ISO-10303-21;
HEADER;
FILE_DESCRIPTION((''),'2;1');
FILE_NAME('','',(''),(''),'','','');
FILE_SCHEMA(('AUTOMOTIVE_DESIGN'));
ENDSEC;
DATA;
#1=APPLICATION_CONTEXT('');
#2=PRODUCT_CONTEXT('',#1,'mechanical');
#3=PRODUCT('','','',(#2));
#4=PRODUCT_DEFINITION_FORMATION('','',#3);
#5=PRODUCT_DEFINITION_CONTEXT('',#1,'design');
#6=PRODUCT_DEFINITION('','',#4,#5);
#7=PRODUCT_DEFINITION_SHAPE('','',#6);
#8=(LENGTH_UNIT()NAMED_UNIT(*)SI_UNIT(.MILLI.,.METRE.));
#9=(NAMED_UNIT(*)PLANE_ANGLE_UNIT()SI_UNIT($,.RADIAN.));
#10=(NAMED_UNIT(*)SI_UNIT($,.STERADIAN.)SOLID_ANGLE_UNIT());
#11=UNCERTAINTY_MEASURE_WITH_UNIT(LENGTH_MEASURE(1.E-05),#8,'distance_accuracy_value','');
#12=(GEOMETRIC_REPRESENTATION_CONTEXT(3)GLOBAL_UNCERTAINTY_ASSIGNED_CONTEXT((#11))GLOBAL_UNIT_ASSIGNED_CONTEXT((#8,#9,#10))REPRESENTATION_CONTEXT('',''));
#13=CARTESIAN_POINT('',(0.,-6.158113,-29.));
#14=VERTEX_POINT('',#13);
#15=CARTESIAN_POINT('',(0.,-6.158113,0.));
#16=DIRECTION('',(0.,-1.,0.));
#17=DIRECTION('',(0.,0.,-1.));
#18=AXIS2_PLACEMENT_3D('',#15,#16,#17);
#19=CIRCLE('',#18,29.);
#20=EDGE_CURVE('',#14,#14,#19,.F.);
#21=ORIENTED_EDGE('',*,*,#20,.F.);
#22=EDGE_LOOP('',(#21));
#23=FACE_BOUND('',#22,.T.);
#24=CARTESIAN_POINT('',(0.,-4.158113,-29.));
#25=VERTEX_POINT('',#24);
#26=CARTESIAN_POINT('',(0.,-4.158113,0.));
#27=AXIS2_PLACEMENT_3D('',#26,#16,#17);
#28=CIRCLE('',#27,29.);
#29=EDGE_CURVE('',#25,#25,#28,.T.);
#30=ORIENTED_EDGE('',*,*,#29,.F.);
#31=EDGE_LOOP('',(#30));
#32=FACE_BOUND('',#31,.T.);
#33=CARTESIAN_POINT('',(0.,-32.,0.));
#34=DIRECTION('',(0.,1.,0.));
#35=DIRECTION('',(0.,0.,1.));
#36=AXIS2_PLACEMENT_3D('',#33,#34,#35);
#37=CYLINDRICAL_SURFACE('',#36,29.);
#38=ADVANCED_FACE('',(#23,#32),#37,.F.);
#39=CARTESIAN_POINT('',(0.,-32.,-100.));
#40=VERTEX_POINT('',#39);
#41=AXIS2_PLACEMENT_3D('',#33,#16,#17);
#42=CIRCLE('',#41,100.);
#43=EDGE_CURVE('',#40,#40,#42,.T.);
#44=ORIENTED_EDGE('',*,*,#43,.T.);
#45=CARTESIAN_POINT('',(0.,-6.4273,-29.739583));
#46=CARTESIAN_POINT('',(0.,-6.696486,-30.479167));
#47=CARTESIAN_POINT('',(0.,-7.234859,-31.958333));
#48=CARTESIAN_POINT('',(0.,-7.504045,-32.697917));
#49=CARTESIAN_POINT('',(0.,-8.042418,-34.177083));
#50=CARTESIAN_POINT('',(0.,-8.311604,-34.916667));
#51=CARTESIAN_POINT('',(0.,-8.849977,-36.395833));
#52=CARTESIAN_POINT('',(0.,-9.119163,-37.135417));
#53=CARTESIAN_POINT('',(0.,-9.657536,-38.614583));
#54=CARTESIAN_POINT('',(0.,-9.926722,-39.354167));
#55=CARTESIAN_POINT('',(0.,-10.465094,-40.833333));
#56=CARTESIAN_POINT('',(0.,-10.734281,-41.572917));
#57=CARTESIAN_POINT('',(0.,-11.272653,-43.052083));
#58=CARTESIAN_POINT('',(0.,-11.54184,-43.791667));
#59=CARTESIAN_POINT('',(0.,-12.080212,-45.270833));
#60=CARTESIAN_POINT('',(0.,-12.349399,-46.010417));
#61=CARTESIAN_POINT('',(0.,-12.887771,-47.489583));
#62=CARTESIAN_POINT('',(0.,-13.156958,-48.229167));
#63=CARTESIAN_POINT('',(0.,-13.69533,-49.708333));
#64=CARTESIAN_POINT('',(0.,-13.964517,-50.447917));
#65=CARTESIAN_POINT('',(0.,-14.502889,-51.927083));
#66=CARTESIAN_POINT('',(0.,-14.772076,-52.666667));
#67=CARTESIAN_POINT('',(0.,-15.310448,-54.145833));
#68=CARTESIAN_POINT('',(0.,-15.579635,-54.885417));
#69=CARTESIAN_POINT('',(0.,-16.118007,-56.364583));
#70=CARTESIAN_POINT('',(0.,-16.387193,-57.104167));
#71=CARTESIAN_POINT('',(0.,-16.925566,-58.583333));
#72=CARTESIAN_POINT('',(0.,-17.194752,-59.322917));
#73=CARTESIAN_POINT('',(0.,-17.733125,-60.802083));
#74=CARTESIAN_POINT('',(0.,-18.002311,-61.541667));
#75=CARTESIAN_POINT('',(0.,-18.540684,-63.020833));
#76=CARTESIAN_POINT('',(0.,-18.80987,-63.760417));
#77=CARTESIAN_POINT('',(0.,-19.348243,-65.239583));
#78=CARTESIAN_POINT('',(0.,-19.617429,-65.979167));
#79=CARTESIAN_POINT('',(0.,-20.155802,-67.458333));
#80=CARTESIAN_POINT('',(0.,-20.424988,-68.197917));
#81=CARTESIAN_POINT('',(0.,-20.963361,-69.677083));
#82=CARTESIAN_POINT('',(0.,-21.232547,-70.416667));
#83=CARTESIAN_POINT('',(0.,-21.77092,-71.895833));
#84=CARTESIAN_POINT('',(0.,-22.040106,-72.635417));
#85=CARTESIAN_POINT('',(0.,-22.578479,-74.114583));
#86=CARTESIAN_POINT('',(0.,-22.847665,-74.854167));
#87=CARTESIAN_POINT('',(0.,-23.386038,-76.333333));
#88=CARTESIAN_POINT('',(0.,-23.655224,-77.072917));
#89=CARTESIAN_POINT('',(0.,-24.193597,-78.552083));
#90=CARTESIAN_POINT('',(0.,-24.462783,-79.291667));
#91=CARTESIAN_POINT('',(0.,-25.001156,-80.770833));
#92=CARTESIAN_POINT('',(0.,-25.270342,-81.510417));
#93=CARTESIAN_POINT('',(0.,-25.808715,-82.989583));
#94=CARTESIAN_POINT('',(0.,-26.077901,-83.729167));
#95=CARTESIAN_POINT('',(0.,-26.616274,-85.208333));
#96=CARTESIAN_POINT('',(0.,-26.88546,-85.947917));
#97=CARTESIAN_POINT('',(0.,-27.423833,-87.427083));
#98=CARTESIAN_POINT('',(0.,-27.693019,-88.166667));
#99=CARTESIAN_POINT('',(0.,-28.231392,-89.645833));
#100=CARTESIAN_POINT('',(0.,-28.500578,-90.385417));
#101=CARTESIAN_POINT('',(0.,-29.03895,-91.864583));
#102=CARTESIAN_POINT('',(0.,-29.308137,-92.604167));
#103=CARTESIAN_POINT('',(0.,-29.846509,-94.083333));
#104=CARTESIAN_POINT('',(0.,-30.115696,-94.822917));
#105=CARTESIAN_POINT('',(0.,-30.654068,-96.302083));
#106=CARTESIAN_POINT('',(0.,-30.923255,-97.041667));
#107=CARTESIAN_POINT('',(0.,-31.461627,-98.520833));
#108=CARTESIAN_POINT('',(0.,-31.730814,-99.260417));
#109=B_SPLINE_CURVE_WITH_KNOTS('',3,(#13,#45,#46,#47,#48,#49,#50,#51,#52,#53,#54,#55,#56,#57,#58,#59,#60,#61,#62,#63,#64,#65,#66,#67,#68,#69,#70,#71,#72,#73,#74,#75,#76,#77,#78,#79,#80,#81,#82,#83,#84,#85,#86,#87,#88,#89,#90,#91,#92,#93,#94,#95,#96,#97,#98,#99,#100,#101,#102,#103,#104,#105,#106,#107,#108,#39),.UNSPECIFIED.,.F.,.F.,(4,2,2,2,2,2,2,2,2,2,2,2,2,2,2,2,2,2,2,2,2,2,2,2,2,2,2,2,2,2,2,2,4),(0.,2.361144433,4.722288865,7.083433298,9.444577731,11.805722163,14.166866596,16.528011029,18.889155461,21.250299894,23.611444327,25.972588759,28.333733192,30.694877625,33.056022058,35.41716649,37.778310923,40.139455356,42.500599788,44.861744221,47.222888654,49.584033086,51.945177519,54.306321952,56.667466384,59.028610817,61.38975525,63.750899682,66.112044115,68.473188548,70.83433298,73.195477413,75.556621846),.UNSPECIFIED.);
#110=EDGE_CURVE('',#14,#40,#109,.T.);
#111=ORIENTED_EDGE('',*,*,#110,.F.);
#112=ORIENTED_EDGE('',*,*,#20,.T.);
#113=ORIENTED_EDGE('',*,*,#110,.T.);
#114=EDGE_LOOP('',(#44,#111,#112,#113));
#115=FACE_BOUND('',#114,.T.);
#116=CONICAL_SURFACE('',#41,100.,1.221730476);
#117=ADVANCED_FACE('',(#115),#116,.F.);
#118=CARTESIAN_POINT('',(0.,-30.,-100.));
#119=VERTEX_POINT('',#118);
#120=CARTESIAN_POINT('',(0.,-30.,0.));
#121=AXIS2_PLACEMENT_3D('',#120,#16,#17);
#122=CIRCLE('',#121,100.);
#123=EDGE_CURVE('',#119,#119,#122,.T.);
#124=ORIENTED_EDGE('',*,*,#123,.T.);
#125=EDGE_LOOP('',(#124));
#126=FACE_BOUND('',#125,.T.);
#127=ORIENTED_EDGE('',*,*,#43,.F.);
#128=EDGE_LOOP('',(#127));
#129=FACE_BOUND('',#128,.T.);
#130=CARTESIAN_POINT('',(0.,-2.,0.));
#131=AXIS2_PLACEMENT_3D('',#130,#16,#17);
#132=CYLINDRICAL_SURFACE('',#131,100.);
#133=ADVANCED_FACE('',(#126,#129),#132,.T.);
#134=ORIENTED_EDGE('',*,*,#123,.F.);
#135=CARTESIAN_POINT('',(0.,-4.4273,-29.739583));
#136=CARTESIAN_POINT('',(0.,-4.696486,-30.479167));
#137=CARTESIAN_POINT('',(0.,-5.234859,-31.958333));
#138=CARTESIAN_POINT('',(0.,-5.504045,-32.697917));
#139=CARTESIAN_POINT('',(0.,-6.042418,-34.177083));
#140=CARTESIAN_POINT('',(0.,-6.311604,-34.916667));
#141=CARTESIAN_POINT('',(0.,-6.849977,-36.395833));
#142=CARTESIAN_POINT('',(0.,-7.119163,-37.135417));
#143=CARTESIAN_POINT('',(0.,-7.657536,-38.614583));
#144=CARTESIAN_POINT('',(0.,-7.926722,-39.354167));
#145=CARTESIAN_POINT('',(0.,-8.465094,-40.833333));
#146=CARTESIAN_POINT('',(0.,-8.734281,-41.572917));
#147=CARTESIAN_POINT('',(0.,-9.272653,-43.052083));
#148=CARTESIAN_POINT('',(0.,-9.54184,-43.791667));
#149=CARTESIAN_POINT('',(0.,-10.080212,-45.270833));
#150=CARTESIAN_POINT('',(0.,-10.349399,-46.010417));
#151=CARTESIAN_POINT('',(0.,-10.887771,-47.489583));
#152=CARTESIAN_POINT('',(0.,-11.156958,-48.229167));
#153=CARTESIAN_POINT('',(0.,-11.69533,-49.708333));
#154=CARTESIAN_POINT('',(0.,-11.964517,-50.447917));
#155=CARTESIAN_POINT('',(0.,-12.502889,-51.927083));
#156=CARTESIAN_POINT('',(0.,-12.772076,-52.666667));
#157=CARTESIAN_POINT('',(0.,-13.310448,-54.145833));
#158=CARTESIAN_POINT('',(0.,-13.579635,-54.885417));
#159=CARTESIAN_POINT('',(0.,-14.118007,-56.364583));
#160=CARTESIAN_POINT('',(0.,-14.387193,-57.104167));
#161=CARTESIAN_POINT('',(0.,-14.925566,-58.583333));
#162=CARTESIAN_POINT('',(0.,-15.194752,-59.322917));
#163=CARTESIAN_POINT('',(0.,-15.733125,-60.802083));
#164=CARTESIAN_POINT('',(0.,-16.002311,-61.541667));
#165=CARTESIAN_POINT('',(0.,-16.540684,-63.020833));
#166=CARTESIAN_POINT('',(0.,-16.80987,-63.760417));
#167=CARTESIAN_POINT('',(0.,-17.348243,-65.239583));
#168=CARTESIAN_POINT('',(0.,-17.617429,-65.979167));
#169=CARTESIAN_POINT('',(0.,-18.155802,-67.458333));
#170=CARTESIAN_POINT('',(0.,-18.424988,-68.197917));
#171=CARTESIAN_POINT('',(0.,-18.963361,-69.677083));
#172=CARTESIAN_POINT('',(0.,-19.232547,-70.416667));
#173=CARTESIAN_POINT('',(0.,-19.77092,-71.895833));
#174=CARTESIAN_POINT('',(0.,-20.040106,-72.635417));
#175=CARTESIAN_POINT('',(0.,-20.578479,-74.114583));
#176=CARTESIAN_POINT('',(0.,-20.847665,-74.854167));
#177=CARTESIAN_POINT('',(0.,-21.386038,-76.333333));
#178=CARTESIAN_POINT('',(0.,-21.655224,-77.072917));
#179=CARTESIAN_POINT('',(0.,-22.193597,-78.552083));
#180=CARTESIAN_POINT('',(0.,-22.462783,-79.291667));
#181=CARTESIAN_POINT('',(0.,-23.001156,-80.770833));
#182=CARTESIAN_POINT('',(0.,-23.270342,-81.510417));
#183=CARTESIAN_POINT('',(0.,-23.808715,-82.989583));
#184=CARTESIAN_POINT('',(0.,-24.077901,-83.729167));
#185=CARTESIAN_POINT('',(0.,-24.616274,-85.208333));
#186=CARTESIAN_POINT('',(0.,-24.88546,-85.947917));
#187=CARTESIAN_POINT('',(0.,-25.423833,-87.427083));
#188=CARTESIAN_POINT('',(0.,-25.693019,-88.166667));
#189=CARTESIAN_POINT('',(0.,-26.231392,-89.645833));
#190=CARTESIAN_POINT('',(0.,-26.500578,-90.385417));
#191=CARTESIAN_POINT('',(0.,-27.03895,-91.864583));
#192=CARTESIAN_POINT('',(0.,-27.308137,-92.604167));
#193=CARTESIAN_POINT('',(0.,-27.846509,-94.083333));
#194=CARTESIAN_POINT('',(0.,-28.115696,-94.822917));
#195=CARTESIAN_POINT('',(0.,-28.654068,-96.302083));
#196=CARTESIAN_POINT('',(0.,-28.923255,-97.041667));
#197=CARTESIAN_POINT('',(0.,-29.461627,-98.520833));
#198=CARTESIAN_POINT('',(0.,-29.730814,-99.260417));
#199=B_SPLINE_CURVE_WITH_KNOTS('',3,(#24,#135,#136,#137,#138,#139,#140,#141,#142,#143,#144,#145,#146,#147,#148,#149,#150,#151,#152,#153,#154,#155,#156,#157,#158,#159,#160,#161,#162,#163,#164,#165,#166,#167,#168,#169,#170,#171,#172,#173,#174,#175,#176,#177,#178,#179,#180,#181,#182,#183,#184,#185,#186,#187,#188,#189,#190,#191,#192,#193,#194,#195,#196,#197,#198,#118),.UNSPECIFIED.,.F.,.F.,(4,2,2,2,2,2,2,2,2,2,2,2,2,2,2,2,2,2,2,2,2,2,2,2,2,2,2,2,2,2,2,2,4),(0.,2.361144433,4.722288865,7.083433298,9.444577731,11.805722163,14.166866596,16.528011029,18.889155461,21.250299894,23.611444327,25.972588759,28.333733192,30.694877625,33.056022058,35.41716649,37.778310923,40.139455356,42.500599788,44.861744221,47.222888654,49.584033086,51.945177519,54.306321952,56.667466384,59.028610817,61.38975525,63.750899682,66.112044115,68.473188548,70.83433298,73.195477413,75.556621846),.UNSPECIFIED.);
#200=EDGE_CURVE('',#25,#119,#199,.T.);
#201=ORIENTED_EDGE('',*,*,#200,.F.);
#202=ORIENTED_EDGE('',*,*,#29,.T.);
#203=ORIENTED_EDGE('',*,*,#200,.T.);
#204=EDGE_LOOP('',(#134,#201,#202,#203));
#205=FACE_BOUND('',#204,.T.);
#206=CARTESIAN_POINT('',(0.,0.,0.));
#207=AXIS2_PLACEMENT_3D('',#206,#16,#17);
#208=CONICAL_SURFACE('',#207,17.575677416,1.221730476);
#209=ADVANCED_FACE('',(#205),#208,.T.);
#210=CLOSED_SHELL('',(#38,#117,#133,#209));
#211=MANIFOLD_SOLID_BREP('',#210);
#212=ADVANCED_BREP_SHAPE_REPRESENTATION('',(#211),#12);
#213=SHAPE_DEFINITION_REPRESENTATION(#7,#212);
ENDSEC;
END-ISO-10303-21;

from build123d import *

# Parameters (mm, degrees)
SCHIZZO4_R               = 29
TAGLIO_ESTRUSIONE1_DEPTH = 145.996551683


with BuildPart() as part:
    # Schizzo1 → Rivoluzione1 (revolve)
    with BuildSketch(Plane.XY, mode=Mode.PRIVATE) as rivoluzione1_sk:
        Polygon((-17.575677416, -2), (0, -2), (0, 0), (-17.575677416, 0), (-100, -30), (-100, -32), align=None)
    revolve(rivoluzione1_sk.sketch.rotate(Axis((0, -2, 0), (0, 1, 0)), 270), axis=Axis((0, -2, 0), (0, 1, 0)))

    # Schizzo4 → Taglio-Estrusione1 (cut, through all)
    with BuildSketch(Plane(origin=(0, 0, 0), x_dir=(1, 0, 0), z_dir=(0, 1, 0))):
        with Locations(Location((0, 0, 0), (0, 0, 90))):
            Circle(SCHIZZO4_R)
    extrude(amount=-TAGLIO_ESTRUSIONE1_DEPTH, mode=Mode.SUBTRACT)


solid = part.part
